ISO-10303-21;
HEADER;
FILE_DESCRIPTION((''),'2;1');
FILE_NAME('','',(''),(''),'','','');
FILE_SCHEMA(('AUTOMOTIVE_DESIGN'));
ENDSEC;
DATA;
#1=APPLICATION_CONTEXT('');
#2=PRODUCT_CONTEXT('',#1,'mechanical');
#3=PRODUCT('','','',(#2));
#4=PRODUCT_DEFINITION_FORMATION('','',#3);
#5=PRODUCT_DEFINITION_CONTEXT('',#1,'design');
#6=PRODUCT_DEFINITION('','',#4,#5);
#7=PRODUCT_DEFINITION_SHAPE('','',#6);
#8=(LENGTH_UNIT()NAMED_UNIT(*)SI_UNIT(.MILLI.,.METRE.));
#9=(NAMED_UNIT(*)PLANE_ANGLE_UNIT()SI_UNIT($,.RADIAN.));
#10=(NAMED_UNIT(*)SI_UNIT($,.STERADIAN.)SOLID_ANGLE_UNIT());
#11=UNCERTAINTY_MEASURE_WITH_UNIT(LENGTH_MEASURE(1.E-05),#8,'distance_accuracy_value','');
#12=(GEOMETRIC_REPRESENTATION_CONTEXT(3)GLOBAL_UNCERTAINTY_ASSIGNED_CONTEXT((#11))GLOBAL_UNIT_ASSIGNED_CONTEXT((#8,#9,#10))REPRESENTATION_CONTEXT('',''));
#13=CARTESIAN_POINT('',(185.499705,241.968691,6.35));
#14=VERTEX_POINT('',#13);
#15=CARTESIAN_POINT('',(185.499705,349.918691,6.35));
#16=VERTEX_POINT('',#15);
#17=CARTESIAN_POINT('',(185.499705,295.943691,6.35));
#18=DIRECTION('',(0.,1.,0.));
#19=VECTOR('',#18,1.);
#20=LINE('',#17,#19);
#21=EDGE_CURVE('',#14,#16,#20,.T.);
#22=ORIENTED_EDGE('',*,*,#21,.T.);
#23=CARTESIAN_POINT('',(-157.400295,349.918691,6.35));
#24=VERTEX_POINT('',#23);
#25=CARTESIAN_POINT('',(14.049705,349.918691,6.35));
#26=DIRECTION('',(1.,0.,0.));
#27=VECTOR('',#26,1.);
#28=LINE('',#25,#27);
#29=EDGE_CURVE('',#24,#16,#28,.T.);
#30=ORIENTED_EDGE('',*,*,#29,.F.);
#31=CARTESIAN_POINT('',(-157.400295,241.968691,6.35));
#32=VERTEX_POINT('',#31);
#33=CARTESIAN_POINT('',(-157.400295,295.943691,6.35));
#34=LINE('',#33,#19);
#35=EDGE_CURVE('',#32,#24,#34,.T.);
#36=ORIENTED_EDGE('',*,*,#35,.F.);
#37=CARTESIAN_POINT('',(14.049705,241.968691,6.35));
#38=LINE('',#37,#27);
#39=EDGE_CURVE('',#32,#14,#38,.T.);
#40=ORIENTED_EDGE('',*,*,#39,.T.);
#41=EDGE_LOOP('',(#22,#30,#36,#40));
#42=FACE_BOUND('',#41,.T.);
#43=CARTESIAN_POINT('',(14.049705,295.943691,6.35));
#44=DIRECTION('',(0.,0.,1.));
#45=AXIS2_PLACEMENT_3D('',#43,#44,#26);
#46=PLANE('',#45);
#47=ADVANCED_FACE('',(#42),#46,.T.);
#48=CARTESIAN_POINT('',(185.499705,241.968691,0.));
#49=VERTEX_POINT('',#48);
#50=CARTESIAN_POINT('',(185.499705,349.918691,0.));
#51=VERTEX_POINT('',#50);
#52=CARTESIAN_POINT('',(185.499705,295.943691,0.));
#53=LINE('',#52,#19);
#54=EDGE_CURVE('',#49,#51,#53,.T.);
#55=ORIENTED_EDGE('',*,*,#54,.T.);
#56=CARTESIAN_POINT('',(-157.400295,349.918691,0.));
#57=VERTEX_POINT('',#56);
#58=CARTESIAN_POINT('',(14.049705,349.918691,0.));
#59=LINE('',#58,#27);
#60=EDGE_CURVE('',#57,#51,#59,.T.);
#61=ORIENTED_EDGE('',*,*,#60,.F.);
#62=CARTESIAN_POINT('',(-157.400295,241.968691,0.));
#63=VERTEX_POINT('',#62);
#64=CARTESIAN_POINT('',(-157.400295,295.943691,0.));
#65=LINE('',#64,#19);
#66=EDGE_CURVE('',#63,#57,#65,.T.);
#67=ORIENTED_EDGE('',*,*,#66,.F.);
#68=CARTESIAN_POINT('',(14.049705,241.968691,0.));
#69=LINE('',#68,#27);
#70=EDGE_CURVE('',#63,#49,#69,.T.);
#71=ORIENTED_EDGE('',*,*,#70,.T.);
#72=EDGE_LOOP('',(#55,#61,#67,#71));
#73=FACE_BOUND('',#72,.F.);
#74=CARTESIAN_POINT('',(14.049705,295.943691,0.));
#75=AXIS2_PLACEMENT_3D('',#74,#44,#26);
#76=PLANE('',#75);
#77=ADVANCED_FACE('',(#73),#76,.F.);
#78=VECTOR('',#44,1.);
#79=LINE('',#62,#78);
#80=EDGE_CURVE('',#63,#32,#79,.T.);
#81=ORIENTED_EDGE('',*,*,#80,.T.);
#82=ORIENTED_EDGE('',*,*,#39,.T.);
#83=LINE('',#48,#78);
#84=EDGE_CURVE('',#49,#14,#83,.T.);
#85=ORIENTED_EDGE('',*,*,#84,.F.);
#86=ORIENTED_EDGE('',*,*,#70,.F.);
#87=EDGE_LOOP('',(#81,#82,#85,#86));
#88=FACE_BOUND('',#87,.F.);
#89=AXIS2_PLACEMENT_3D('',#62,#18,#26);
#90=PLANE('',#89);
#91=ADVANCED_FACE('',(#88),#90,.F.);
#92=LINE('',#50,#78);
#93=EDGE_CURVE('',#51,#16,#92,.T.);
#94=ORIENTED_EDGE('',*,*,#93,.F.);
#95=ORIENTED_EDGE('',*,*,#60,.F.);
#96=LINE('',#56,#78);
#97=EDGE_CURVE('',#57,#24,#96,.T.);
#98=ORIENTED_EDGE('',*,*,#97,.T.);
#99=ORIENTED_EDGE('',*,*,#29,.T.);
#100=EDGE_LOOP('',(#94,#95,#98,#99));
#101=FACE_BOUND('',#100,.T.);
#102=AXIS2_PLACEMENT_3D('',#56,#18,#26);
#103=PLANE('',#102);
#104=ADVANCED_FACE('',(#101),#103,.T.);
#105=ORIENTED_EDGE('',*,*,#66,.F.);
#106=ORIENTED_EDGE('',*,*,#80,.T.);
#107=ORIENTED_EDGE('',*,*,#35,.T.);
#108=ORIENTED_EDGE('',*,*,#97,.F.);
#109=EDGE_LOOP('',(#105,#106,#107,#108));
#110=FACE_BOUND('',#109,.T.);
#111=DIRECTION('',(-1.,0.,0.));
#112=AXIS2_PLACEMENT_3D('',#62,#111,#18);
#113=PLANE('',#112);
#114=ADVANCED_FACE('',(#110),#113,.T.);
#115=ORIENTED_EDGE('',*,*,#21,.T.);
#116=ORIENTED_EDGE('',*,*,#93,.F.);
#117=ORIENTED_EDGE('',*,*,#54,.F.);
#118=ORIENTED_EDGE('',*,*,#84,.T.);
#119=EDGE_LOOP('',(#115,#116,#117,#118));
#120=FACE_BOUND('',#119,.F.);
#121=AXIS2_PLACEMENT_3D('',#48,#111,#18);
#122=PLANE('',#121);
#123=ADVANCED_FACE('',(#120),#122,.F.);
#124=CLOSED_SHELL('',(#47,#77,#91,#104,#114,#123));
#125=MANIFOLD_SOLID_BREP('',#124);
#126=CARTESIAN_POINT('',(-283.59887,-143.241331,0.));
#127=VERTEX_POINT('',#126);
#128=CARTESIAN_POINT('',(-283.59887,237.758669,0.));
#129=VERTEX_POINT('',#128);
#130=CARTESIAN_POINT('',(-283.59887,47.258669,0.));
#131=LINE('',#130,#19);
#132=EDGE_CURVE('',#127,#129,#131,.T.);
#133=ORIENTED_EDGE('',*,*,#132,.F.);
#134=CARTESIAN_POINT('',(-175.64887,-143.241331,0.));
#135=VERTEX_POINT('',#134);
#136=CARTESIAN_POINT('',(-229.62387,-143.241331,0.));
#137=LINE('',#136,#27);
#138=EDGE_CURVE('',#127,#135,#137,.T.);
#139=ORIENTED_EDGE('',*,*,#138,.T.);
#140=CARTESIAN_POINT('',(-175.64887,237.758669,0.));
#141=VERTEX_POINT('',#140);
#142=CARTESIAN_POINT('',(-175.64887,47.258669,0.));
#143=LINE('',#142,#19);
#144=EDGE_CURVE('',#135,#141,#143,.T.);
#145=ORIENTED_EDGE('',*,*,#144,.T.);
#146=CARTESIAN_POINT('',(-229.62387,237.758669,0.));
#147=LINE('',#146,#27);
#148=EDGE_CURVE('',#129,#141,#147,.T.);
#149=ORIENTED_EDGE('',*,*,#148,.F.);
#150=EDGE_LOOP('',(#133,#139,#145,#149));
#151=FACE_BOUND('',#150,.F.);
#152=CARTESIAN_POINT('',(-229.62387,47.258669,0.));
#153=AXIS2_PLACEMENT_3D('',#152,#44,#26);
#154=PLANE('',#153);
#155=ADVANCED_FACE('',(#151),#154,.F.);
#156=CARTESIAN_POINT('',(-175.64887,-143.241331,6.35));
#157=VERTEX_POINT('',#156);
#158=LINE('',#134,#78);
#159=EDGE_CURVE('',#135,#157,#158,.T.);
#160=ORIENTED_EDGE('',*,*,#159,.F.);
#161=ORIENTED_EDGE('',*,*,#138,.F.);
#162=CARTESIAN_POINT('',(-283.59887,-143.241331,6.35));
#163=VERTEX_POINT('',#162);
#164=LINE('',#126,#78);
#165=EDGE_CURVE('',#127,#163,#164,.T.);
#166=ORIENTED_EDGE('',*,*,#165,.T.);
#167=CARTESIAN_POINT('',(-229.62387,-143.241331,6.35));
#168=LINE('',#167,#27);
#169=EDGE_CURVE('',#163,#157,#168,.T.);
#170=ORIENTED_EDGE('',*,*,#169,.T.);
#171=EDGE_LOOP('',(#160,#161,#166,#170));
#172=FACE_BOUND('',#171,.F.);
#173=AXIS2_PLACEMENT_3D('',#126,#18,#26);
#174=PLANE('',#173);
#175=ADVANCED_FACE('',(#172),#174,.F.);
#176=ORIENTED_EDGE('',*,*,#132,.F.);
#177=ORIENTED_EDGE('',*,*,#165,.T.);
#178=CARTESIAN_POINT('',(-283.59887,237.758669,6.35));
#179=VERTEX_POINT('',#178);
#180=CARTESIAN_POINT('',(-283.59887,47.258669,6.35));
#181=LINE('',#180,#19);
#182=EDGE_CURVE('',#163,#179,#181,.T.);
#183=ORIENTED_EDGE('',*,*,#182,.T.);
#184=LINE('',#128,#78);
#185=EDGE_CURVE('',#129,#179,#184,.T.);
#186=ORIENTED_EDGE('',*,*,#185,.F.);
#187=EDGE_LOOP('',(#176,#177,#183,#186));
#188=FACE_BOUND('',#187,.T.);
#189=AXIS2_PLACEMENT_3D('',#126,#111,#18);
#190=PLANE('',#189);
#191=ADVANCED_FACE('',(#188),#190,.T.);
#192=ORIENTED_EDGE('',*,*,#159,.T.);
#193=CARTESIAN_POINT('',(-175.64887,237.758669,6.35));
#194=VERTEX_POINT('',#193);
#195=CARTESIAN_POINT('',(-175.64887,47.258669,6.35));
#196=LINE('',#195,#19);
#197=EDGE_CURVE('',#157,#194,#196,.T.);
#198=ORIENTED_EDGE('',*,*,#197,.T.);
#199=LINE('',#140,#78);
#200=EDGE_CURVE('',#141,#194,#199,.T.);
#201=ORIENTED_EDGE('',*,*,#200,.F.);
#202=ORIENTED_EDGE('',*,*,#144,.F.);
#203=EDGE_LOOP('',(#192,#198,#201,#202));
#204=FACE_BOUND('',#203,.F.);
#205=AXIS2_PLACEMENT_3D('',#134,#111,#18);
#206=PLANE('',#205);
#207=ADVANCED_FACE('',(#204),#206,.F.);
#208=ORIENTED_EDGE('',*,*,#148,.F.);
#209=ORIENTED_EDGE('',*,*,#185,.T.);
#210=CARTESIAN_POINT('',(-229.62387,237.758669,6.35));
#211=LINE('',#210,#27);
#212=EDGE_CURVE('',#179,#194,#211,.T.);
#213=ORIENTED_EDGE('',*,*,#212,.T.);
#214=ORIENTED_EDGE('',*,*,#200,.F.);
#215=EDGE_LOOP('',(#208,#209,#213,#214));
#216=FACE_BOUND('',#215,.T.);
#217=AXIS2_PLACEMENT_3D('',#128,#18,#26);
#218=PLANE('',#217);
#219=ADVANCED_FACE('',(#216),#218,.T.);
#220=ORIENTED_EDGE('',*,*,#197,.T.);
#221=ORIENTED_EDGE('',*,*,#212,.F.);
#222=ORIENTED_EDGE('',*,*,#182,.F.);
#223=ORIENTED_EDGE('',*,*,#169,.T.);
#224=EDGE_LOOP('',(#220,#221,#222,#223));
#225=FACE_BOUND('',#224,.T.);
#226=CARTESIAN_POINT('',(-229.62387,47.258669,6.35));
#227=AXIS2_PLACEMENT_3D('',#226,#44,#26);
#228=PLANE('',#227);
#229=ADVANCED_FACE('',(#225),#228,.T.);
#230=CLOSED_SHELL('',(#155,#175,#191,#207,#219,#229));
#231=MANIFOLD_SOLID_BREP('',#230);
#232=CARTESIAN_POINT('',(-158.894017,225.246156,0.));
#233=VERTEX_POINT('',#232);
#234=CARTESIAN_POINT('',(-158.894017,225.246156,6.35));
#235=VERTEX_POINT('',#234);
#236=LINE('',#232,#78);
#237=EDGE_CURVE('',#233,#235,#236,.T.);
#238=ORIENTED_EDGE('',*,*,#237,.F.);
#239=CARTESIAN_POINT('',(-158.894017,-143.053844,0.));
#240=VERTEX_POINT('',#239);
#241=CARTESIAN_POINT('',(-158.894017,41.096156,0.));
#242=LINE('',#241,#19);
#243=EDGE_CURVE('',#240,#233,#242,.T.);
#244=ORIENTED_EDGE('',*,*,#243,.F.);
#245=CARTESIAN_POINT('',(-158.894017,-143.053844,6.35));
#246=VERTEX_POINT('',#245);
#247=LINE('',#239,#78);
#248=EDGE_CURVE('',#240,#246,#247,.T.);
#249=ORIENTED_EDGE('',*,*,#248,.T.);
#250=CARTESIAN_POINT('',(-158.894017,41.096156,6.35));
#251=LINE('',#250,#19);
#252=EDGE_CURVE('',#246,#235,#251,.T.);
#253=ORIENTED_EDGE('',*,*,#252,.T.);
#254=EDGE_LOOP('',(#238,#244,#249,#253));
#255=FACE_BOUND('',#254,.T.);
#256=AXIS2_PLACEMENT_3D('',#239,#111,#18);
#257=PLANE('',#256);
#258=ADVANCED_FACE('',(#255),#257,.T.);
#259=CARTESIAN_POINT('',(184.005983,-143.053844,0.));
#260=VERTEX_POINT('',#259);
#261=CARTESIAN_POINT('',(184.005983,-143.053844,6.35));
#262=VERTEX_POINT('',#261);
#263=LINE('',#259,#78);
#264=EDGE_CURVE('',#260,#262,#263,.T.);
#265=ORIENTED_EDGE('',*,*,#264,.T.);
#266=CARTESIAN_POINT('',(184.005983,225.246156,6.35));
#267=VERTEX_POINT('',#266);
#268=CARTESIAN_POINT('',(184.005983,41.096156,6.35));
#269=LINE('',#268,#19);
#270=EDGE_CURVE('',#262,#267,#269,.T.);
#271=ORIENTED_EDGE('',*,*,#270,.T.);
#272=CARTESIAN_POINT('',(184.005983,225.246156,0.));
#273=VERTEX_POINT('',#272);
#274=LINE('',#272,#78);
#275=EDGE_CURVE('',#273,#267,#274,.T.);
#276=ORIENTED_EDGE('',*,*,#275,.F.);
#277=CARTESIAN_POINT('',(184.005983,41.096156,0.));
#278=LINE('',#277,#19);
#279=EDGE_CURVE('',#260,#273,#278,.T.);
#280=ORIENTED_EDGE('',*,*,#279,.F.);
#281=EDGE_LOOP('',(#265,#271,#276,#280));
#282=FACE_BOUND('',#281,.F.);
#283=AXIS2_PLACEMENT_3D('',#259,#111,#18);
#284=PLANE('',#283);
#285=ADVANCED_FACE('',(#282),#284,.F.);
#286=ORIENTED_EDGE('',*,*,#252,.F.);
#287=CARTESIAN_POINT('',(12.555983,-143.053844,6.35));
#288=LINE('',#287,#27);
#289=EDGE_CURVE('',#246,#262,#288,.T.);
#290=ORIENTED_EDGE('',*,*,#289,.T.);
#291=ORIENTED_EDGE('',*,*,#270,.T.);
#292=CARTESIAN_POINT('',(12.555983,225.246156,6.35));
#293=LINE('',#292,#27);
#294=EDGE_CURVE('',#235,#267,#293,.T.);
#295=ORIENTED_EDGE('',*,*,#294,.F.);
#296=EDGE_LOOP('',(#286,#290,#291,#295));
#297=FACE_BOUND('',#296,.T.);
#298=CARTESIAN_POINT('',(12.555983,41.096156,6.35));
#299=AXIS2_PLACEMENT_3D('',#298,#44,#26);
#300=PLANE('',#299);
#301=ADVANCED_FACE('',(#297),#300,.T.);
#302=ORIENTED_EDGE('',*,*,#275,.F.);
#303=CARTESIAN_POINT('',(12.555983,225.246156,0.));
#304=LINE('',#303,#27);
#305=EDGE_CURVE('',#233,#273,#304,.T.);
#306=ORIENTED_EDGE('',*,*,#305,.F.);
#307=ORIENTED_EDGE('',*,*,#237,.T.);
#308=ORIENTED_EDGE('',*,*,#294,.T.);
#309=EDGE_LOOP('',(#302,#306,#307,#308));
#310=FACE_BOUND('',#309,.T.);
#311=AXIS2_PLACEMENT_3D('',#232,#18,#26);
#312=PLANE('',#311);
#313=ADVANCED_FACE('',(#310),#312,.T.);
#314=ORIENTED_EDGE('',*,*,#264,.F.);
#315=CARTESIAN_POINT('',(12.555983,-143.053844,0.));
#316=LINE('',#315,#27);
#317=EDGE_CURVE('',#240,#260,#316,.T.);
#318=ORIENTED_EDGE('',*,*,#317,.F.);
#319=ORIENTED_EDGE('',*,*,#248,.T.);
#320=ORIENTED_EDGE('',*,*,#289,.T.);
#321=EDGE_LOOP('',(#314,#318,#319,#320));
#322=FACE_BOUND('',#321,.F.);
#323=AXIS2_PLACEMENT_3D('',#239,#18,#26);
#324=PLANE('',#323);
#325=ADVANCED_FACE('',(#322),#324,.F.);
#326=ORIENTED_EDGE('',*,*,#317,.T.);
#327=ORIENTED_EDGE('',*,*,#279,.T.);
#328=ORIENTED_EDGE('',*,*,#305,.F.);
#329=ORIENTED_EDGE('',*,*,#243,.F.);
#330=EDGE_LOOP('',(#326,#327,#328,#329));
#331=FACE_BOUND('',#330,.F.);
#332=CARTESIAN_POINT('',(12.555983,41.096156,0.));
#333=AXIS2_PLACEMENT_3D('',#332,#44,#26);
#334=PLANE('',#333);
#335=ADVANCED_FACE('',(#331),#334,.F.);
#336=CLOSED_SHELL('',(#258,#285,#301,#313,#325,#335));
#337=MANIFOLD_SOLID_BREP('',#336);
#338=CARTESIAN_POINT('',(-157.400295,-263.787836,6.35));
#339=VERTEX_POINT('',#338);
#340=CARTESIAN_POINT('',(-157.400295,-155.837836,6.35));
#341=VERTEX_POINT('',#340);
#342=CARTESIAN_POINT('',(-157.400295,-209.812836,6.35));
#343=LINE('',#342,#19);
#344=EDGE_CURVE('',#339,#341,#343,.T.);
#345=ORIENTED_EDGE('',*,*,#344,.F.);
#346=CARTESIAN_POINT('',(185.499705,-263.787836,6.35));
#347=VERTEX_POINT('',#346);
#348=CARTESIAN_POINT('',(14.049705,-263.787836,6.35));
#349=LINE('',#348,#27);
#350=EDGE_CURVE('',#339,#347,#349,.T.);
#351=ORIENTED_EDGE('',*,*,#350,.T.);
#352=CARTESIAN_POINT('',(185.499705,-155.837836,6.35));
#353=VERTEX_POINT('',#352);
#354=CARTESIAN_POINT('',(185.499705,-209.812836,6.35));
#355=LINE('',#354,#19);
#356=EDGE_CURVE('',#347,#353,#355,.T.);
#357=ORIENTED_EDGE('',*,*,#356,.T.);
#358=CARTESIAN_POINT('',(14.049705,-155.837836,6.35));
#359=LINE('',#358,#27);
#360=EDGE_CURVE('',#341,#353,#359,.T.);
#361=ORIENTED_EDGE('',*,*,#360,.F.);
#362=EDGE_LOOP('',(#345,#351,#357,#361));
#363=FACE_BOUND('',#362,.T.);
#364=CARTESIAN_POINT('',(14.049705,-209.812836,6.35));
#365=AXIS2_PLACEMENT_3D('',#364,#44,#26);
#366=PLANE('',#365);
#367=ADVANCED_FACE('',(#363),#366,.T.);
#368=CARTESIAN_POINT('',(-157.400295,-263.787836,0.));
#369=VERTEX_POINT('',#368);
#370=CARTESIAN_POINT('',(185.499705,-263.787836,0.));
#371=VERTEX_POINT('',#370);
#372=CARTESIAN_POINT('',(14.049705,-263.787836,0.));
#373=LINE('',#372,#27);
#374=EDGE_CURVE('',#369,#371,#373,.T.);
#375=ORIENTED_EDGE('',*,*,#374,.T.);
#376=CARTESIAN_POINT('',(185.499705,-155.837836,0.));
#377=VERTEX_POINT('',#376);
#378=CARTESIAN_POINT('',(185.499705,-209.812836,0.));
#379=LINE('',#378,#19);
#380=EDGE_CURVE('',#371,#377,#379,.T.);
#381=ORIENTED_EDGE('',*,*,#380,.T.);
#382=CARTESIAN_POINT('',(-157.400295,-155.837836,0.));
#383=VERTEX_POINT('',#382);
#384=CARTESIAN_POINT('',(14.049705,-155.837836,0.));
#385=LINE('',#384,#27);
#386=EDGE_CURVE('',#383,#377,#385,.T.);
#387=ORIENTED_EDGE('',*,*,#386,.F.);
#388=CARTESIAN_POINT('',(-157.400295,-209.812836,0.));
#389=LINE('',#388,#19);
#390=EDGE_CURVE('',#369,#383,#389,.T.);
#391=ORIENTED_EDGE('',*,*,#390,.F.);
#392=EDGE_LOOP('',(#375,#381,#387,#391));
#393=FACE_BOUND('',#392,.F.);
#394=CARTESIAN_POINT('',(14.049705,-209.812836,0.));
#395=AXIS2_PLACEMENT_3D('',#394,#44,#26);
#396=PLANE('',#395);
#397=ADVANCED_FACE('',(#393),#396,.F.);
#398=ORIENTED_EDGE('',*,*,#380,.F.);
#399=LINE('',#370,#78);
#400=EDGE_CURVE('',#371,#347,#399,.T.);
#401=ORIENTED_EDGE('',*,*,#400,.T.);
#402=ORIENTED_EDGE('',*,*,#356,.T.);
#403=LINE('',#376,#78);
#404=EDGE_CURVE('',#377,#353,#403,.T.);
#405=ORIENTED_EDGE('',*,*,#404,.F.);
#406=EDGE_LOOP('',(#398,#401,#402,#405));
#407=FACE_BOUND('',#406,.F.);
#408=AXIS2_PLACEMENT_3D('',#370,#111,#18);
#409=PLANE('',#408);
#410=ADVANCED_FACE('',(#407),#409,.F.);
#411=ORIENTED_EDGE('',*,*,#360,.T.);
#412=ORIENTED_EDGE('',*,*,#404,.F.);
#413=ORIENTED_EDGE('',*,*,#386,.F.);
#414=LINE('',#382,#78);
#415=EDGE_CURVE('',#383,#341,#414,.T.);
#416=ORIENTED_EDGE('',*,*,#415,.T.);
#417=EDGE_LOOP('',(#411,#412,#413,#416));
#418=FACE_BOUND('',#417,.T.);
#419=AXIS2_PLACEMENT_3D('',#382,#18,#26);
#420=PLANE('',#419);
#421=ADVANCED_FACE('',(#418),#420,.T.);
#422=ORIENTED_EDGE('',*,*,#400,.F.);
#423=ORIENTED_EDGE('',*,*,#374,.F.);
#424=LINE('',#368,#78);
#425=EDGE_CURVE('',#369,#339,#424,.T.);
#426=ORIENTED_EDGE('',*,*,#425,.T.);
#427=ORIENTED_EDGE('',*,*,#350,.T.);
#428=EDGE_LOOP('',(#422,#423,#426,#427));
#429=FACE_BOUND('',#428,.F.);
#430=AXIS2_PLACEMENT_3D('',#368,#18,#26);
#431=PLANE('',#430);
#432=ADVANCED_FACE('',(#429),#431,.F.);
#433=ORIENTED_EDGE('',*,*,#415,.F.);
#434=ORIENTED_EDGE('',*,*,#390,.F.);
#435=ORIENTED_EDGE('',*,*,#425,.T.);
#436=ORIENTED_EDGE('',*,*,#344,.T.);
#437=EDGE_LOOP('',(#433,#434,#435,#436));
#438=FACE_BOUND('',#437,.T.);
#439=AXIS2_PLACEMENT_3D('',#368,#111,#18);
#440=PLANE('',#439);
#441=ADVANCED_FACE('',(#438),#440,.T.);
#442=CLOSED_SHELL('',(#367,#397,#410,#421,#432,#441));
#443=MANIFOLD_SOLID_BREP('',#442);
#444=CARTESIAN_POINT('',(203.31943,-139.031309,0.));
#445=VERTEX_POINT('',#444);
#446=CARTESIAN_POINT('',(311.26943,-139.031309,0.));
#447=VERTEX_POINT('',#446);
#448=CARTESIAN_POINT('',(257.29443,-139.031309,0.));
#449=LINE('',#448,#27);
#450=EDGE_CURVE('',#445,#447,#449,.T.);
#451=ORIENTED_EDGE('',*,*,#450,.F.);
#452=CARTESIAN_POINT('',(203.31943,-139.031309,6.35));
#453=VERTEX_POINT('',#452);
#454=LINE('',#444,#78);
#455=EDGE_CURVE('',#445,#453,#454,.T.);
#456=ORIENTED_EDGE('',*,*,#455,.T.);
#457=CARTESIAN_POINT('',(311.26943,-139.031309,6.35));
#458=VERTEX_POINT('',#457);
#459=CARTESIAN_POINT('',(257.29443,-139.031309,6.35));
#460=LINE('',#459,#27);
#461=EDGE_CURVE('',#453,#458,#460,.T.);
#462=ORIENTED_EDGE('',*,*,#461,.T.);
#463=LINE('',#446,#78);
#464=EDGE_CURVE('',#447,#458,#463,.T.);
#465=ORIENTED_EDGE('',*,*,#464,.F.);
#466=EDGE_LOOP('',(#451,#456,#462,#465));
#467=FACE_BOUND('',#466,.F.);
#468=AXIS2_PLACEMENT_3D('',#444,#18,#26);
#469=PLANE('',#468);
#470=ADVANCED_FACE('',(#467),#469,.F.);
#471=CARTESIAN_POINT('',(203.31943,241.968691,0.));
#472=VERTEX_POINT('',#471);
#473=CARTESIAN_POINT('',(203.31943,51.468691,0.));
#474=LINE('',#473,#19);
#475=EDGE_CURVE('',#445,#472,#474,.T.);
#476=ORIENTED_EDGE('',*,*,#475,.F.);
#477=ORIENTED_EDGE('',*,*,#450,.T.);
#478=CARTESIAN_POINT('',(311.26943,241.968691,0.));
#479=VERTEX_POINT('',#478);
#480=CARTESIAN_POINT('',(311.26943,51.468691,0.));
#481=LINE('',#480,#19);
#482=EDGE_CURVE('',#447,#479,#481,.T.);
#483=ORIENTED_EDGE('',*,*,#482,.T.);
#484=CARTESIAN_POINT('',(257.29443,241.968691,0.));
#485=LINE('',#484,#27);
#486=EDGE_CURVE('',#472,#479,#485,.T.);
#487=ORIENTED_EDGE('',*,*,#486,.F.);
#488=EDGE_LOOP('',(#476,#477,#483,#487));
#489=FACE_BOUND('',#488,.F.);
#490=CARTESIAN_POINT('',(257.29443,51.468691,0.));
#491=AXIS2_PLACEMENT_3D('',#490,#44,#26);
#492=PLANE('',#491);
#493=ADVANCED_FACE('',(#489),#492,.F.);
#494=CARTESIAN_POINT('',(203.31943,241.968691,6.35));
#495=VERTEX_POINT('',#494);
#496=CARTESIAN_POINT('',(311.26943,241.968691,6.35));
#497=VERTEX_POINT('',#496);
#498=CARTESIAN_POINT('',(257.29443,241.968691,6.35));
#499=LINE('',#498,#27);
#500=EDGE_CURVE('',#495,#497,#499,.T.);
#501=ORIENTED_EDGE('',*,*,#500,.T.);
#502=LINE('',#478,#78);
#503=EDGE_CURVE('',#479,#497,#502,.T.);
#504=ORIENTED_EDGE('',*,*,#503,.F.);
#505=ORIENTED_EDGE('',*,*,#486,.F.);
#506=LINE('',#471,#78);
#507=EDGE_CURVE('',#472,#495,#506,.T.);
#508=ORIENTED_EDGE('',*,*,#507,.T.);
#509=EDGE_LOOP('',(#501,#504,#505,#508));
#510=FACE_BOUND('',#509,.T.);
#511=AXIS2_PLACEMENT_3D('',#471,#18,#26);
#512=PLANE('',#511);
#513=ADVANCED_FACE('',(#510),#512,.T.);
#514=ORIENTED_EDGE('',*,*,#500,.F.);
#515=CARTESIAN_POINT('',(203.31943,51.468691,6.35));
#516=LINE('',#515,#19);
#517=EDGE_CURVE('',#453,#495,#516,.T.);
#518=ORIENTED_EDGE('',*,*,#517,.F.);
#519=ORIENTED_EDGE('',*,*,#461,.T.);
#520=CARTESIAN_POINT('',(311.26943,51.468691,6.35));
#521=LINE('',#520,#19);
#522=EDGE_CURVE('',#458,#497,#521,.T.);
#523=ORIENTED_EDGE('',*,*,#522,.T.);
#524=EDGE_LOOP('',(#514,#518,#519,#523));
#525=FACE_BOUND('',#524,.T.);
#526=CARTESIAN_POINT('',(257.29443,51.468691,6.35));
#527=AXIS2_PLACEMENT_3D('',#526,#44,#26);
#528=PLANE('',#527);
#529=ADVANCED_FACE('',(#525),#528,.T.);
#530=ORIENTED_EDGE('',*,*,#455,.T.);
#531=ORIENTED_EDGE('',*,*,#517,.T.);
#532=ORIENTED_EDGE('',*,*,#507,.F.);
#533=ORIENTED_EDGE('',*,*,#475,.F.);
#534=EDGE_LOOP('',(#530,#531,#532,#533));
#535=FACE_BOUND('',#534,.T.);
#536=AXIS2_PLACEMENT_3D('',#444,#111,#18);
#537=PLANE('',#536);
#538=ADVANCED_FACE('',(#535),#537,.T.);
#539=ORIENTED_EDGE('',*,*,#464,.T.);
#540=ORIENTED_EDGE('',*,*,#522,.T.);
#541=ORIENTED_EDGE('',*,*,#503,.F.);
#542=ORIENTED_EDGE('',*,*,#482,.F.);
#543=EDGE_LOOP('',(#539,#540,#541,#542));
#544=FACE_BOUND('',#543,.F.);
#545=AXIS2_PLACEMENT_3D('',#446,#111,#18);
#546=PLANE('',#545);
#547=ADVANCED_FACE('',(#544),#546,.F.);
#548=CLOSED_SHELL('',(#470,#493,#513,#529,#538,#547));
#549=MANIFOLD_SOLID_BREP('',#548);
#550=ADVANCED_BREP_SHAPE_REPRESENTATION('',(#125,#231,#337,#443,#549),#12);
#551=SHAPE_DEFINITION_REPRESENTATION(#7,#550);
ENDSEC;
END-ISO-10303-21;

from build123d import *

# Parameters (mm, degrees)
F0_W     = 342.9
F0_H     = 368.3
F1_DEPTH = 6.35
F0_W_2   = 107.95
F0_H_2   = 381
F0_H_3   = 107.95
F2_DEPTH = 6.35


with BuildPart() as f1:
    # F0 (on Top) → F1 (new body)
    with BuildSketch(Plane.XY):
        with Locations((12.555983, 41.096156)):
            Rectangle(F0_W, F0_H)
    extrude(amount=F1_DEPTH)


with BuildPart() as f2:
    # F0 (on Top) → F2 (new body)
    with BuildSketch(Plane.XY):
        with Locations((257.29443, 51.468691)):
            Rectangle(F0_W_2, F0_H_2)
        with Locations((14.049705, -209.812836)):
            Rectangle(F0_W, F0_H_3)
        with Locations((-229.62387, 47.258669)):
            Rectangle(F0_W_2, F0_H_2)
        with Locations((14.049705, 295.943691)):
            Rectangle(F0_W, F0_H_3)
    extrude(amount=F2_DEPTH)


solid = Compound([f1.part, f2.part])
